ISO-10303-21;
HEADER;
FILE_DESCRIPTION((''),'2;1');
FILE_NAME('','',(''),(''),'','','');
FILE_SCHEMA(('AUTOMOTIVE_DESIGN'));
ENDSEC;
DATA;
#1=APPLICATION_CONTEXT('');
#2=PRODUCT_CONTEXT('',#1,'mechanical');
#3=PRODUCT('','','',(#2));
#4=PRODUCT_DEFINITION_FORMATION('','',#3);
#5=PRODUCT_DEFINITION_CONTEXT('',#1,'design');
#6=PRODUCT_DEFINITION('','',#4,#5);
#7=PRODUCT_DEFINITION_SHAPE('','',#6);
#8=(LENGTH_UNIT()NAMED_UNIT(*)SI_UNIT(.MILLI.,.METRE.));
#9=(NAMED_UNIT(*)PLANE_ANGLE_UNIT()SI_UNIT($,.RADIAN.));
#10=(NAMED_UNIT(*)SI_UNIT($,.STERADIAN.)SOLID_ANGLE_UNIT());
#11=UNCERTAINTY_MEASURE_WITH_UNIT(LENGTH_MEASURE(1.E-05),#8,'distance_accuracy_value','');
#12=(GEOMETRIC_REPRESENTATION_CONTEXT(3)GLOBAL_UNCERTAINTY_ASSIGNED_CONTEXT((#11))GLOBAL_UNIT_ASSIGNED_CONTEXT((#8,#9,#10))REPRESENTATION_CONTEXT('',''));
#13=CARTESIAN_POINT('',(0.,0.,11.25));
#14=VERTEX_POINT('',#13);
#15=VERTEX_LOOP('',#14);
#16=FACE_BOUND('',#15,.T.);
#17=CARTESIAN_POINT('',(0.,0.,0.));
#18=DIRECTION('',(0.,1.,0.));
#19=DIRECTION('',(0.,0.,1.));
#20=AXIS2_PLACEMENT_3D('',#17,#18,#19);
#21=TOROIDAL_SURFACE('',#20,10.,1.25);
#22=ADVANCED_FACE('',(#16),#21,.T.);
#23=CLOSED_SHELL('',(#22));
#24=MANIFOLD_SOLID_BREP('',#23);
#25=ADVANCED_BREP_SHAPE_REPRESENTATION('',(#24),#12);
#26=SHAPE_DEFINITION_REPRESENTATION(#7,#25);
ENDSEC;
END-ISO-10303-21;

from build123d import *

# Parameters (mm, degrees)
SKETCH1_R = 1.25


with BuildPart() as part:
    # Sketch1 → Revolve1 (revolve)
    with BuildSketch(Plane.XY):
        with Locations((-10, 0)):
            Circle(SKETCH1_R)
    revolve(axis=Axis((0, 14.080317926, 0), (0, -1, 0)))


solid = part.part
